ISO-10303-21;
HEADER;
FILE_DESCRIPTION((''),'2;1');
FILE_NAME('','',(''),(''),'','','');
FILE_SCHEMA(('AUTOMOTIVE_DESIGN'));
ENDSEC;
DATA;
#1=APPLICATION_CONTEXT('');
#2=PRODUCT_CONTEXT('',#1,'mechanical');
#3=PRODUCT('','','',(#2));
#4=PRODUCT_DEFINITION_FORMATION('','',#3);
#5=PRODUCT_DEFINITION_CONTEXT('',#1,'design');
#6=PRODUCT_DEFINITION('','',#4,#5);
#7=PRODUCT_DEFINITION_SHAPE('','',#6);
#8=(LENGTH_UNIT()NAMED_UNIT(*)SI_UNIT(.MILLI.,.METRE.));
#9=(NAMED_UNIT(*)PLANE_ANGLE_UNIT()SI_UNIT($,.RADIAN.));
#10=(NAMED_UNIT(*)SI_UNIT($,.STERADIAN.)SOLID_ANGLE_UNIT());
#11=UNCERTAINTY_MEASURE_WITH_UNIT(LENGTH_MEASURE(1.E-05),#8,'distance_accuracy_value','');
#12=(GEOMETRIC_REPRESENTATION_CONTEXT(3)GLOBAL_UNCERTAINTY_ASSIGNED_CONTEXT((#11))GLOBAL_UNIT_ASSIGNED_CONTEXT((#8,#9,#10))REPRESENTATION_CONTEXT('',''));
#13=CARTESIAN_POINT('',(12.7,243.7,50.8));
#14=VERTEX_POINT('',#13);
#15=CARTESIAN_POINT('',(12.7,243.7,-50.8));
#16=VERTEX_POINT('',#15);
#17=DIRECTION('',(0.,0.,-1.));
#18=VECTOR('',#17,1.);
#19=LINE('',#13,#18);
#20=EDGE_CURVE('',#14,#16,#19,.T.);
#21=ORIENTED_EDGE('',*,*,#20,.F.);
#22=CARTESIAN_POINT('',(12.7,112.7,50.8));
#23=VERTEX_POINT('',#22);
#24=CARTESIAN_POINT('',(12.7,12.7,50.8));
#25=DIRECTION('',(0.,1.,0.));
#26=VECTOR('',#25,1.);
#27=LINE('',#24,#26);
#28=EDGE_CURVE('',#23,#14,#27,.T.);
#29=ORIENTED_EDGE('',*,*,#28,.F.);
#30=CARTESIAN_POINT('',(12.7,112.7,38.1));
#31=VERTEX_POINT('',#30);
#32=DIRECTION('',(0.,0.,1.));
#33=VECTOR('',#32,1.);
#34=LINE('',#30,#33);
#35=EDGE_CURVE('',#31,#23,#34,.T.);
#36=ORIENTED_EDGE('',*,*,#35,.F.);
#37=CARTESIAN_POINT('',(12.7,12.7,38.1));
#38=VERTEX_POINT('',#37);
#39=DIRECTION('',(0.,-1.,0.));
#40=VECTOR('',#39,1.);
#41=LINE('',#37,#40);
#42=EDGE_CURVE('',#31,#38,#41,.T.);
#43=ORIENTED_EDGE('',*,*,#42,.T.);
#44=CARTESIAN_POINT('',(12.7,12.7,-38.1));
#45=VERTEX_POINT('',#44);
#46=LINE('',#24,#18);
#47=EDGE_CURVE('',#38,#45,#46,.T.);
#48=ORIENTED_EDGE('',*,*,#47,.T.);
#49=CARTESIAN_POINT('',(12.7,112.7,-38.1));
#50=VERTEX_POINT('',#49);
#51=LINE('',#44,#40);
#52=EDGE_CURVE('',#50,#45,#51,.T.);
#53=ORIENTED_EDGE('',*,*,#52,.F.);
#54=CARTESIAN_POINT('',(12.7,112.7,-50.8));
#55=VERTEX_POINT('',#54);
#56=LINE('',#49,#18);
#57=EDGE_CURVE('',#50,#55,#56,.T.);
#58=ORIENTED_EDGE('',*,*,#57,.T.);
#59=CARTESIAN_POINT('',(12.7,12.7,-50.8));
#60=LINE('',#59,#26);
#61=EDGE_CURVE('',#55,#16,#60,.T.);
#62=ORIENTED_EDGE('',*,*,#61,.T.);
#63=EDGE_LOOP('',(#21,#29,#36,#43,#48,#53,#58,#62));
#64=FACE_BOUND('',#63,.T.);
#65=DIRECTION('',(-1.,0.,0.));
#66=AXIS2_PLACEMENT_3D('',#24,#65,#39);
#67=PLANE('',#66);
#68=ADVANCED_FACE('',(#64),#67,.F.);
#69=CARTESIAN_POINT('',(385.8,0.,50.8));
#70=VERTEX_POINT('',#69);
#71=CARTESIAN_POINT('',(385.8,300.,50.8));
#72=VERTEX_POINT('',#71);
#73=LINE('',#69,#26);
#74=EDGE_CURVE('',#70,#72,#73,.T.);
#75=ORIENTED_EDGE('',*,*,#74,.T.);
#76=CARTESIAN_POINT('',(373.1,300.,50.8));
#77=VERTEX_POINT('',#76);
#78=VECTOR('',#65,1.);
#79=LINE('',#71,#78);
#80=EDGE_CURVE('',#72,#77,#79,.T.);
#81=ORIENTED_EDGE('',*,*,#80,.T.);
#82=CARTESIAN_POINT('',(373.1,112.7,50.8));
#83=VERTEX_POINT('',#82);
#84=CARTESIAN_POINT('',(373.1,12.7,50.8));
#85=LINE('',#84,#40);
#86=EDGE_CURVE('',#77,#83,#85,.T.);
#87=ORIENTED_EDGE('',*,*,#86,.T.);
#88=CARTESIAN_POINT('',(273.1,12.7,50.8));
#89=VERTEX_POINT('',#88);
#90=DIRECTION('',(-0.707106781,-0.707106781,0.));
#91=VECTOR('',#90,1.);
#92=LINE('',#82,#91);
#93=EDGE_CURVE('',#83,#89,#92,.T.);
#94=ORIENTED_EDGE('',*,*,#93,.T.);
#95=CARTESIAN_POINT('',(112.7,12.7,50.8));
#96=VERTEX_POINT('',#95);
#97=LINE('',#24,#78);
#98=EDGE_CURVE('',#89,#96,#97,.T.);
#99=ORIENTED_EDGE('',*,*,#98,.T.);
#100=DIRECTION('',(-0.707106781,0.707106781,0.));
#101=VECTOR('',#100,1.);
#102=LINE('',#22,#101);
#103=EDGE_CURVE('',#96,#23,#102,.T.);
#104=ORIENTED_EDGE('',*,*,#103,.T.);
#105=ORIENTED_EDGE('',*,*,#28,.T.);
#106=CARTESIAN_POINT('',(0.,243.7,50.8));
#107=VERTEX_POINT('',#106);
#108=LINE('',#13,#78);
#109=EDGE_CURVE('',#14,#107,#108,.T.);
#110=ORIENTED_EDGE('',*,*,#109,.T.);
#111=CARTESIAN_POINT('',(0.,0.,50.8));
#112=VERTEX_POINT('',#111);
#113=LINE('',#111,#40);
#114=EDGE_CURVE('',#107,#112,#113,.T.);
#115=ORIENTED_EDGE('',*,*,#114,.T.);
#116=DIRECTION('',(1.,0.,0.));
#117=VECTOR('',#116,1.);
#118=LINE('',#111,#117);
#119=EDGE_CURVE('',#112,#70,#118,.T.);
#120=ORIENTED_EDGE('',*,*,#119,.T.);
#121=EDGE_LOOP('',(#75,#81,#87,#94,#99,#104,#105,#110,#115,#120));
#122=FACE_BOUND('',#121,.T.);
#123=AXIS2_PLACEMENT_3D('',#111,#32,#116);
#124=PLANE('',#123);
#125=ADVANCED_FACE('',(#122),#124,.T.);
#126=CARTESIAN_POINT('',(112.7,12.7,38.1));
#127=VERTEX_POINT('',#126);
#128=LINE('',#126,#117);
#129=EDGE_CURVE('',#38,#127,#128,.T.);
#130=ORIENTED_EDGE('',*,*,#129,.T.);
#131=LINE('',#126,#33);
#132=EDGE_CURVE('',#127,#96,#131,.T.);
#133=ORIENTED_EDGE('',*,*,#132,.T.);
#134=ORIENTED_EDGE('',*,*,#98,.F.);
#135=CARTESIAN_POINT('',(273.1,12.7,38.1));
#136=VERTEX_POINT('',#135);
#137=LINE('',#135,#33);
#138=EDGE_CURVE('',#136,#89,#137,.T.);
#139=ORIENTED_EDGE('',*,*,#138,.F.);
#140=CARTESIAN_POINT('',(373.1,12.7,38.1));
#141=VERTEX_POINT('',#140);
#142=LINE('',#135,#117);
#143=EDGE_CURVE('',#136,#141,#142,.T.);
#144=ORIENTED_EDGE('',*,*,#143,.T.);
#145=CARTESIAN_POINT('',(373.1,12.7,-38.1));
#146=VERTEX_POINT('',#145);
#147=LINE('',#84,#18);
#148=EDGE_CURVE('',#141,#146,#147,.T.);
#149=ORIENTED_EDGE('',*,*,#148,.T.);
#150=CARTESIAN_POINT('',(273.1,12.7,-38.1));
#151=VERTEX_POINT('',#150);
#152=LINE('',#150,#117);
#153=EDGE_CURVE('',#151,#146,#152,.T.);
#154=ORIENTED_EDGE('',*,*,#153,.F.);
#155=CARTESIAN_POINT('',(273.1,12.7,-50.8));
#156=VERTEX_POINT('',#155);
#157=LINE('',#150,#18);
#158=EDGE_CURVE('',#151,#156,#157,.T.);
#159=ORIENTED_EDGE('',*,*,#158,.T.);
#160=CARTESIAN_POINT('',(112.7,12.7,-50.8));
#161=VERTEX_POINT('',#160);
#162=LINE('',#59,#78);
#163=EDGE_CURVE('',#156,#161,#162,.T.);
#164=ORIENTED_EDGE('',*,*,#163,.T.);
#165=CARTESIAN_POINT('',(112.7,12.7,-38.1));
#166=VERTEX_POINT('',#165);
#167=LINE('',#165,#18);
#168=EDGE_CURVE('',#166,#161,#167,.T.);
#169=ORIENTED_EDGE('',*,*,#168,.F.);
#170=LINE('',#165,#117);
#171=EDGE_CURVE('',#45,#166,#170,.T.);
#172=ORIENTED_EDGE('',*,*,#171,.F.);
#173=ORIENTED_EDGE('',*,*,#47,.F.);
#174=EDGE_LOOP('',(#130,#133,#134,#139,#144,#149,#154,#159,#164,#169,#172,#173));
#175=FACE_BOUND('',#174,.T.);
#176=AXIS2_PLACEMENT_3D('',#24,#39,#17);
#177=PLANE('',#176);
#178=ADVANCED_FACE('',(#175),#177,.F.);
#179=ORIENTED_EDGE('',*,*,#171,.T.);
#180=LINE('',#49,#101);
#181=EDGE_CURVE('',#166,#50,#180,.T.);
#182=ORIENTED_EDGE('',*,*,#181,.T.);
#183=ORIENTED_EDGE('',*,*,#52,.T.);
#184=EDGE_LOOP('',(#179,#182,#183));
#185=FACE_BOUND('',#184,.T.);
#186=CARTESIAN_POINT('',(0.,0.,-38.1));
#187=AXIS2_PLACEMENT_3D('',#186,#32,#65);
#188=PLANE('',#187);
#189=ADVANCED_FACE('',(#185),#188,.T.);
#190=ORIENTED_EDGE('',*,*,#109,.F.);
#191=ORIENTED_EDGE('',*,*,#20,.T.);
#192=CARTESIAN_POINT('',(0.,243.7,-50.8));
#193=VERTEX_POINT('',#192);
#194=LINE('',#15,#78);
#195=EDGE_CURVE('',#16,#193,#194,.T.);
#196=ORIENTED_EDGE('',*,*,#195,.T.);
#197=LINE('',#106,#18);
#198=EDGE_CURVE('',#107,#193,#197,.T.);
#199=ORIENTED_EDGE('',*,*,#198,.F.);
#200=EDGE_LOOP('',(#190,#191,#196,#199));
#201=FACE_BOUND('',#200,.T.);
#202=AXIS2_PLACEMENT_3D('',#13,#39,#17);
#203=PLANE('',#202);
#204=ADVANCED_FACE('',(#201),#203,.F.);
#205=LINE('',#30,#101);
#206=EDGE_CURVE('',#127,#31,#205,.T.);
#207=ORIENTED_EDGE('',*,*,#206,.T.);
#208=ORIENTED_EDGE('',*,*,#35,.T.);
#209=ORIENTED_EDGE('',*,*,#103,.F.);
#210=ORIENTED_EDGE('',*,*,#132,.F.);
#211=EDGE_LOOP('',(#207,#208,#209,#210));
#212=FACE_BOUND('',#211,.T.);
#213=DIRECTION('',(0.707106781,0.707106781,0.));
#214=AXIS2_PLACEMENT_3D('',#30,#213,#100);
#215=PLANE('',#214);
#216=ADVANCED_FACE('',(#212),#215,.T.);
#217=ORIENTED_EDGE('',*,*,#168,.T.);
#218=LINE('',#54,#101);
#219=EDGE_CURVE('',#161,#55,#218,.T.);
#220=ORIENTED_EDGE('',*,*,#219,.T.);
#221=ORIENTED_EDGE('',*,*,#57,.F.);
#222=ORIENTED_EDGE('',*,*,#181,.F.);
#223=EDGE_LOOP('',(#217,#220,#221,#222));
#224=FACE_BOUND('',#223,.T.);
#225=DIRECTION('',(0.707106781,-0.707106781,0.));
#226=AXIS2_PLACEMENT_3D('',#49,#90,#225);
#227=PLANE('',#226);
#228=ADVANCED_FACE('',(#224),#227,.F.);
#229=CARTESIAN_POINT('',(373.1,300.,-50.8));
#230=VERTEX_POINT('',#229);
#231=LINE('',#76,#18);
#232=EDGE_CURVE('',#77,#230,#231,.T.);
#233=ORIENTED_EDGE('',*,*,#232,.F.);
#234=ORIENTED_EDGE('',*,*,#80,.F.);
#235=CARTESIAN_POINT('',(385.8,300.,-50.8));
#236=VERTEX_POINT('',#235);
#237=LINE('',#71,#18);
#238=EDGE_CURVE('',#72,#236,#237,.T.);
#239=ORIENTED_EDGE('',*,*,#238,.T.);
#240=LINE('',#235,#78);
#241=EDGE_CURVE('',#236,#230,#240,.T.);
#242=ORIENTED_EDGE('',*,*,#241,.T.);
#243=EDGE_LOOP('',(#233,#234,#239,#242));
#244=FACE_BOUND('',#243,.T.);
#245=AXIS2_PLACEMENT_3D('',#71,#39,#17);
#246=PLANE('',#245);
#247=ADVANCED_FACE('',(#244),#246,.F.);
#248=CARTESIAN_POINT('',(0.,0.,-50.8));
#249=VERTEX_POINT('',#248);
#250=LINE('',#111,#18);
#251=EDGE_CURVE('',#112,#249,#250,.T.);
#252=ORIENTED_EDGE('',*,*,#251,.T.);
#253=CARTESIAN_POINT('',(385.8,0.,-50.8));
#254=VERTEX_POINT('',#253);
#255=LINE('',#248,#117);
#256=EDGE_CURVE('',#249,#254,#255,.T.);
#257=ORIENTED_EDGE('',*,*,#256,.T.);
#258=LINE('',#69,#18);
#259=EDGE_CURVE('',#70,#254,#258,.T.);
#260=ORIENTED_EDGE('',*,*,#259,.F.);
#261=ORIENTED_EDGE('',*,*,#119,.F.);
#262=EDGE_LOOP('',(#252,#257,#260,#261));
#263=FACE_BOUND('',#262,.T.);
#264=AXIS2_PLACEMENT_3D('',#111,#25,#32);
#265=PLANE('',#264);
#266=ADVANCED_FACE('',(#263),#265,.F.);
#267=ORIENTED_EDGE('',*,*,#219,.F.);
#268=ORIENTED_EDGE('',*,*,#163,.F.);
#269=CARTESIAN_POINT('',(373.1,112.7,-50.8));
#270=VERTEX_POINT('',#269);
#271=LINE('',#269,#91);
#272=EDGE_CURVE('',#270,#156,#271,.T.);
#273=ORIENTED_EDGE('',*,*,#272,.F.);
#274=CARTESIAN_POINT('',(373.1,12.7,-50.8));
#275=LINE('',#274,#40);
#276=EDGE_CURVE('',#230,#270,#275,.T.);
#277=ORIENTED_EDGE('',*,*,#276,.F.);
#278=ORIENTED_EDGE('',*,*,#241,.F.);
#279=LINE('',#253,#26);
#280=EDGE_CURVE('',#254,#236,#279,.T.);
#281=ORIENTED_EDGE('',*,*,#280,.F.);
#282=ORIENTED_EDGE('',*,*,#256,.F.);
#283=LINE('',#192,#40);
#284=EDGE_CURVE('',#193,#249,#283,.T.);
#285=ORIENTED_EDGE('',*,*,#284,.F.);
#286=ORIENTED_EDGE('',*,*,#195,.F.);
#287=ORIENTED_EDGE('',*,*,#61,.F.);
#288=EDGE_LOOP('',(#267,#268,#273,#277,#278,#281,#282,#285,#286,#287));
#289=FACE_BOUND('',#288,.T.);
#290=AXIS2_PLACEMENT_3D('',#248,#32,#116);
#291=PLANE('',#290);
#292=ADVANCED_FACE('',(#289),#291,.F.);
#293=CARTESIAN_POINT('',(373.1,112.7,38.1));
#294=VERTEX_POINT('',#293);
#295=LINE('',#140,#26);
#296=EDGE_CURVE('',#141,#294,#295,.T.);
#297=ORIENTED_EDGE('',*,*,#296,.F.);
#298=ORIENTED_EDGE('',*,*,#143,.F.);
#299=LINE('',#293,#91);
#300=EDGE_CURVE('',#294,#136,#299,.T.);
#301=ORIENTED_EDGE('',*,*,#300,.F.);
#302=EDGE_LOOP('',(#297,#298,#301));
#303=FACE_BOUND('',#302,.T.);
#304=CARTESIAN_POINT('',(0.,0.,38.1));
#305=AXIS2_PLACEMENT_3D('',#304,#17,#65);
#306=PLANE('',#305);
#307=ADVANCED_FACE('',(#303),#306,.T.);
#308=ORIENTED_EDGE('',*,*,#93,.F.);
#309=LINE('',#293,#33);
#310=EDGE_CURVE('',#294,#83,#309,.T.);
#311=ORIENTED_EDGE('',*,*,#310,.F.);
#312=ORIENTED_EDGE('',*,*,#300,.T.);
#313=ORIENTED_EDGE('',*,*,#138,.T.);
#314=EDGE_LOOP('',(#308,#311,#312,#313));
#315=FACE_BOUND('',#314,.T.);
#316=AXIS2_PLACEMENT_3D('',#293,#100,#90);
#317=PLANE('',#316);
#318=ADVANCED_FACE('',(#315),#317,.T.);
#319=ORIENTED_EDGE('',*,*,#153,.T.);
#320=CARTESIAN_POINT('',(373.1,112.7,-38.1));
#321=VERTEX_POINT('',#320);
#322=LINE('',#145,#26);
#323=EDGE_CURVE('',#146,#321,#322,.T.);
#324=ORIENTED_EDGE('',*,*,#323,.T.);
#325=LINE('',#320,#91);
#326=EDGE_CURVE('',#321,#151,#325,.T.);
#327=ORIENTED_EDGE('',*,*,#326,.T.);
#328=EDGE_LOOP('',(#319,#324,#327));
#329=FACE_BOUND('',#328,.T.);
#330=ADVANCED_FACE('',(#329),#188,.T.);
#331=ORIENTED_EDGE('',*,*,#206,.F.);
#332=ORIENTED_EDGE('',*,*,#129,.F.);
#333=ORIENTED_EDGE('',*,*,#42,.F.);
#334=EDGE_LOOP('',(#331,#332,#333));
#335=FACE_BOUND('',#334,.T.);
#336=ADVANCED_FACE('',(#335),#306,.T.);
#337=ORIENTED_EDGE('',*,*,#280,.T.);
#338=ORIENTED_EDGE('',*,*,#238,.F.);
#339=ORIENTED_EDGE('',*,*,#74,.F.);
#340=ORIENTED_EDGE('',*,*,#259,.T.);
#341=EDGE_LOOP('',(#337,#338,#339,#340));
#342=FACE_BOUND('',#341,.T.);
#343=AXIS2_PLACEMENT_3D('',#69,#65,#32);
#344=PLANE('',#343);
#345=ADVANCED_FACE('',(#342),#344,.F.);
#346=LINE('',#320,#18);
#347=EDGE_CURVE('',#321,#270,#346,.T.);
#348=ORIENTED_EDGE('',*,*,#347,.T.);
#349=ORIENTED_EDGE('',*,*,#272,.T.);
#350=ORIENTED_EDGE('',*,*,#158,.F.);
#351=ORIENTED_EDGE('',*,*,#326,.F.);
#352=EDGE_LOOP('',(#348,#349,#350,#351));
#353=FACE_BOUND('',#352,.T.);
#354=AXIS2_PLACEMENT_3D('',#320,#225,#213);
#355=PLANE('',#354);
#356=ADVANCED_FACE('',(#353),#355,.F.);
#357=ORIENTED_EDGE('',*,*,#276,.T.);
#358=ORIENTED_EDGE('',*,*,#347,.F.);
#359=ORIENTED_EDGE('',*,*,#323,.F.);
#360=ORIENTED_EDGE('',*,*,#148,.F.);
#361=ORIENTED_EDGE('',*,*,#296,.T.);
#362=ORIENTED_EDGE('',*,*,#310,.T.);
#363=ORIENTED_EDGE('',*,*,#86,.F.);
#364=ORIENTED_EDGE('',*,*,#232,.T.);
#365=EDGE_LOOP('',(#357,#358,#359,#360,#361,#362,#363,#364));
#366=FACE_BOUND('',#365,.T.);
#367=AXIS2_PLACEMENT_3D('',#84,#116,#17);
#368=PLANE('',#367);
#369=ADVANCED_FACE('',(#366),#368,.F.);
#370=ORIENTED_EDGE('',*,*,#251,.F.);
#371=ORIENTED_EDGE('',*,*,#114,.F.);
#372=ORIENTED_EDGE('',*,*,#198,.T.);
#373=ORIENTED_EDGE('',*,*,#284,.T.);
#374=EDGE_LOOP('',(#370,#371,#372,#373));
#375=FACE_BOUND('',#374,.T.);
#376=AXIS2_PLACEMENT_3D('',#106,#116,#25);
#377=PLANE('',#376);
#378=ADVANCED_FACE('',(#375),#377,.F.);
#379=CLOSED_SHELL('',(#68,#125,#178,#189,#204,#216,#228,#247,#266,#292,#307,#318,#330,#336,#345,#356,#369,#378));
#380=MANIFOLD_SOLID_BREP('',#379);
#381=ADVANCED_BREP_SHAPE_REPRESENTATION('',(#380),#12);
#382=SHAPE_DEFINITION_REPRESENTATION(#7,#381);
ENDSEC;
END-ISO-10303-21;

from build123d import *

# Parameters (mm, degrees)
BOSS_EXTRUDE1_DEPTH = 50.8
BOSS_EXTRUDE2_DEPTH = 12.7


with BuildPart() as part:
    # Sketch1 → Boss-Extrude1 (new, symmetric)
    with BuildSketch(Plane.XY):
        Polygon((0, 0), (385.8, 0), (385.8, 300), (373.1, 300), (373.1, 12.7), (12.7, 12.7), (12.7, 243.7), (0, 243.7), (0, 12.7), align=None)
    extrude(amount=BOSS_EXTRUDE1_DEPTH, both=True)

    # Sketch2 → Boss-Extrude2 (add)
    with BuildSketch(Plane.XY.offset(50.8)):
        Polygon((373.1, 112.7), (273.1, 12.7), (373.1, 12.7), align=None)
        Polygon((12.7, 12.7), (12.7, 112.7), (112.7, 12.7), align=None)
    boss_extrude2 = extrude(amount=-BOSS_EXTRUDE2_DEPTH)

    # Mirror1: Boss-Extrude2 across plane
    add(boss_extrude2.mirror(Plane.XY))


solid = part.part
